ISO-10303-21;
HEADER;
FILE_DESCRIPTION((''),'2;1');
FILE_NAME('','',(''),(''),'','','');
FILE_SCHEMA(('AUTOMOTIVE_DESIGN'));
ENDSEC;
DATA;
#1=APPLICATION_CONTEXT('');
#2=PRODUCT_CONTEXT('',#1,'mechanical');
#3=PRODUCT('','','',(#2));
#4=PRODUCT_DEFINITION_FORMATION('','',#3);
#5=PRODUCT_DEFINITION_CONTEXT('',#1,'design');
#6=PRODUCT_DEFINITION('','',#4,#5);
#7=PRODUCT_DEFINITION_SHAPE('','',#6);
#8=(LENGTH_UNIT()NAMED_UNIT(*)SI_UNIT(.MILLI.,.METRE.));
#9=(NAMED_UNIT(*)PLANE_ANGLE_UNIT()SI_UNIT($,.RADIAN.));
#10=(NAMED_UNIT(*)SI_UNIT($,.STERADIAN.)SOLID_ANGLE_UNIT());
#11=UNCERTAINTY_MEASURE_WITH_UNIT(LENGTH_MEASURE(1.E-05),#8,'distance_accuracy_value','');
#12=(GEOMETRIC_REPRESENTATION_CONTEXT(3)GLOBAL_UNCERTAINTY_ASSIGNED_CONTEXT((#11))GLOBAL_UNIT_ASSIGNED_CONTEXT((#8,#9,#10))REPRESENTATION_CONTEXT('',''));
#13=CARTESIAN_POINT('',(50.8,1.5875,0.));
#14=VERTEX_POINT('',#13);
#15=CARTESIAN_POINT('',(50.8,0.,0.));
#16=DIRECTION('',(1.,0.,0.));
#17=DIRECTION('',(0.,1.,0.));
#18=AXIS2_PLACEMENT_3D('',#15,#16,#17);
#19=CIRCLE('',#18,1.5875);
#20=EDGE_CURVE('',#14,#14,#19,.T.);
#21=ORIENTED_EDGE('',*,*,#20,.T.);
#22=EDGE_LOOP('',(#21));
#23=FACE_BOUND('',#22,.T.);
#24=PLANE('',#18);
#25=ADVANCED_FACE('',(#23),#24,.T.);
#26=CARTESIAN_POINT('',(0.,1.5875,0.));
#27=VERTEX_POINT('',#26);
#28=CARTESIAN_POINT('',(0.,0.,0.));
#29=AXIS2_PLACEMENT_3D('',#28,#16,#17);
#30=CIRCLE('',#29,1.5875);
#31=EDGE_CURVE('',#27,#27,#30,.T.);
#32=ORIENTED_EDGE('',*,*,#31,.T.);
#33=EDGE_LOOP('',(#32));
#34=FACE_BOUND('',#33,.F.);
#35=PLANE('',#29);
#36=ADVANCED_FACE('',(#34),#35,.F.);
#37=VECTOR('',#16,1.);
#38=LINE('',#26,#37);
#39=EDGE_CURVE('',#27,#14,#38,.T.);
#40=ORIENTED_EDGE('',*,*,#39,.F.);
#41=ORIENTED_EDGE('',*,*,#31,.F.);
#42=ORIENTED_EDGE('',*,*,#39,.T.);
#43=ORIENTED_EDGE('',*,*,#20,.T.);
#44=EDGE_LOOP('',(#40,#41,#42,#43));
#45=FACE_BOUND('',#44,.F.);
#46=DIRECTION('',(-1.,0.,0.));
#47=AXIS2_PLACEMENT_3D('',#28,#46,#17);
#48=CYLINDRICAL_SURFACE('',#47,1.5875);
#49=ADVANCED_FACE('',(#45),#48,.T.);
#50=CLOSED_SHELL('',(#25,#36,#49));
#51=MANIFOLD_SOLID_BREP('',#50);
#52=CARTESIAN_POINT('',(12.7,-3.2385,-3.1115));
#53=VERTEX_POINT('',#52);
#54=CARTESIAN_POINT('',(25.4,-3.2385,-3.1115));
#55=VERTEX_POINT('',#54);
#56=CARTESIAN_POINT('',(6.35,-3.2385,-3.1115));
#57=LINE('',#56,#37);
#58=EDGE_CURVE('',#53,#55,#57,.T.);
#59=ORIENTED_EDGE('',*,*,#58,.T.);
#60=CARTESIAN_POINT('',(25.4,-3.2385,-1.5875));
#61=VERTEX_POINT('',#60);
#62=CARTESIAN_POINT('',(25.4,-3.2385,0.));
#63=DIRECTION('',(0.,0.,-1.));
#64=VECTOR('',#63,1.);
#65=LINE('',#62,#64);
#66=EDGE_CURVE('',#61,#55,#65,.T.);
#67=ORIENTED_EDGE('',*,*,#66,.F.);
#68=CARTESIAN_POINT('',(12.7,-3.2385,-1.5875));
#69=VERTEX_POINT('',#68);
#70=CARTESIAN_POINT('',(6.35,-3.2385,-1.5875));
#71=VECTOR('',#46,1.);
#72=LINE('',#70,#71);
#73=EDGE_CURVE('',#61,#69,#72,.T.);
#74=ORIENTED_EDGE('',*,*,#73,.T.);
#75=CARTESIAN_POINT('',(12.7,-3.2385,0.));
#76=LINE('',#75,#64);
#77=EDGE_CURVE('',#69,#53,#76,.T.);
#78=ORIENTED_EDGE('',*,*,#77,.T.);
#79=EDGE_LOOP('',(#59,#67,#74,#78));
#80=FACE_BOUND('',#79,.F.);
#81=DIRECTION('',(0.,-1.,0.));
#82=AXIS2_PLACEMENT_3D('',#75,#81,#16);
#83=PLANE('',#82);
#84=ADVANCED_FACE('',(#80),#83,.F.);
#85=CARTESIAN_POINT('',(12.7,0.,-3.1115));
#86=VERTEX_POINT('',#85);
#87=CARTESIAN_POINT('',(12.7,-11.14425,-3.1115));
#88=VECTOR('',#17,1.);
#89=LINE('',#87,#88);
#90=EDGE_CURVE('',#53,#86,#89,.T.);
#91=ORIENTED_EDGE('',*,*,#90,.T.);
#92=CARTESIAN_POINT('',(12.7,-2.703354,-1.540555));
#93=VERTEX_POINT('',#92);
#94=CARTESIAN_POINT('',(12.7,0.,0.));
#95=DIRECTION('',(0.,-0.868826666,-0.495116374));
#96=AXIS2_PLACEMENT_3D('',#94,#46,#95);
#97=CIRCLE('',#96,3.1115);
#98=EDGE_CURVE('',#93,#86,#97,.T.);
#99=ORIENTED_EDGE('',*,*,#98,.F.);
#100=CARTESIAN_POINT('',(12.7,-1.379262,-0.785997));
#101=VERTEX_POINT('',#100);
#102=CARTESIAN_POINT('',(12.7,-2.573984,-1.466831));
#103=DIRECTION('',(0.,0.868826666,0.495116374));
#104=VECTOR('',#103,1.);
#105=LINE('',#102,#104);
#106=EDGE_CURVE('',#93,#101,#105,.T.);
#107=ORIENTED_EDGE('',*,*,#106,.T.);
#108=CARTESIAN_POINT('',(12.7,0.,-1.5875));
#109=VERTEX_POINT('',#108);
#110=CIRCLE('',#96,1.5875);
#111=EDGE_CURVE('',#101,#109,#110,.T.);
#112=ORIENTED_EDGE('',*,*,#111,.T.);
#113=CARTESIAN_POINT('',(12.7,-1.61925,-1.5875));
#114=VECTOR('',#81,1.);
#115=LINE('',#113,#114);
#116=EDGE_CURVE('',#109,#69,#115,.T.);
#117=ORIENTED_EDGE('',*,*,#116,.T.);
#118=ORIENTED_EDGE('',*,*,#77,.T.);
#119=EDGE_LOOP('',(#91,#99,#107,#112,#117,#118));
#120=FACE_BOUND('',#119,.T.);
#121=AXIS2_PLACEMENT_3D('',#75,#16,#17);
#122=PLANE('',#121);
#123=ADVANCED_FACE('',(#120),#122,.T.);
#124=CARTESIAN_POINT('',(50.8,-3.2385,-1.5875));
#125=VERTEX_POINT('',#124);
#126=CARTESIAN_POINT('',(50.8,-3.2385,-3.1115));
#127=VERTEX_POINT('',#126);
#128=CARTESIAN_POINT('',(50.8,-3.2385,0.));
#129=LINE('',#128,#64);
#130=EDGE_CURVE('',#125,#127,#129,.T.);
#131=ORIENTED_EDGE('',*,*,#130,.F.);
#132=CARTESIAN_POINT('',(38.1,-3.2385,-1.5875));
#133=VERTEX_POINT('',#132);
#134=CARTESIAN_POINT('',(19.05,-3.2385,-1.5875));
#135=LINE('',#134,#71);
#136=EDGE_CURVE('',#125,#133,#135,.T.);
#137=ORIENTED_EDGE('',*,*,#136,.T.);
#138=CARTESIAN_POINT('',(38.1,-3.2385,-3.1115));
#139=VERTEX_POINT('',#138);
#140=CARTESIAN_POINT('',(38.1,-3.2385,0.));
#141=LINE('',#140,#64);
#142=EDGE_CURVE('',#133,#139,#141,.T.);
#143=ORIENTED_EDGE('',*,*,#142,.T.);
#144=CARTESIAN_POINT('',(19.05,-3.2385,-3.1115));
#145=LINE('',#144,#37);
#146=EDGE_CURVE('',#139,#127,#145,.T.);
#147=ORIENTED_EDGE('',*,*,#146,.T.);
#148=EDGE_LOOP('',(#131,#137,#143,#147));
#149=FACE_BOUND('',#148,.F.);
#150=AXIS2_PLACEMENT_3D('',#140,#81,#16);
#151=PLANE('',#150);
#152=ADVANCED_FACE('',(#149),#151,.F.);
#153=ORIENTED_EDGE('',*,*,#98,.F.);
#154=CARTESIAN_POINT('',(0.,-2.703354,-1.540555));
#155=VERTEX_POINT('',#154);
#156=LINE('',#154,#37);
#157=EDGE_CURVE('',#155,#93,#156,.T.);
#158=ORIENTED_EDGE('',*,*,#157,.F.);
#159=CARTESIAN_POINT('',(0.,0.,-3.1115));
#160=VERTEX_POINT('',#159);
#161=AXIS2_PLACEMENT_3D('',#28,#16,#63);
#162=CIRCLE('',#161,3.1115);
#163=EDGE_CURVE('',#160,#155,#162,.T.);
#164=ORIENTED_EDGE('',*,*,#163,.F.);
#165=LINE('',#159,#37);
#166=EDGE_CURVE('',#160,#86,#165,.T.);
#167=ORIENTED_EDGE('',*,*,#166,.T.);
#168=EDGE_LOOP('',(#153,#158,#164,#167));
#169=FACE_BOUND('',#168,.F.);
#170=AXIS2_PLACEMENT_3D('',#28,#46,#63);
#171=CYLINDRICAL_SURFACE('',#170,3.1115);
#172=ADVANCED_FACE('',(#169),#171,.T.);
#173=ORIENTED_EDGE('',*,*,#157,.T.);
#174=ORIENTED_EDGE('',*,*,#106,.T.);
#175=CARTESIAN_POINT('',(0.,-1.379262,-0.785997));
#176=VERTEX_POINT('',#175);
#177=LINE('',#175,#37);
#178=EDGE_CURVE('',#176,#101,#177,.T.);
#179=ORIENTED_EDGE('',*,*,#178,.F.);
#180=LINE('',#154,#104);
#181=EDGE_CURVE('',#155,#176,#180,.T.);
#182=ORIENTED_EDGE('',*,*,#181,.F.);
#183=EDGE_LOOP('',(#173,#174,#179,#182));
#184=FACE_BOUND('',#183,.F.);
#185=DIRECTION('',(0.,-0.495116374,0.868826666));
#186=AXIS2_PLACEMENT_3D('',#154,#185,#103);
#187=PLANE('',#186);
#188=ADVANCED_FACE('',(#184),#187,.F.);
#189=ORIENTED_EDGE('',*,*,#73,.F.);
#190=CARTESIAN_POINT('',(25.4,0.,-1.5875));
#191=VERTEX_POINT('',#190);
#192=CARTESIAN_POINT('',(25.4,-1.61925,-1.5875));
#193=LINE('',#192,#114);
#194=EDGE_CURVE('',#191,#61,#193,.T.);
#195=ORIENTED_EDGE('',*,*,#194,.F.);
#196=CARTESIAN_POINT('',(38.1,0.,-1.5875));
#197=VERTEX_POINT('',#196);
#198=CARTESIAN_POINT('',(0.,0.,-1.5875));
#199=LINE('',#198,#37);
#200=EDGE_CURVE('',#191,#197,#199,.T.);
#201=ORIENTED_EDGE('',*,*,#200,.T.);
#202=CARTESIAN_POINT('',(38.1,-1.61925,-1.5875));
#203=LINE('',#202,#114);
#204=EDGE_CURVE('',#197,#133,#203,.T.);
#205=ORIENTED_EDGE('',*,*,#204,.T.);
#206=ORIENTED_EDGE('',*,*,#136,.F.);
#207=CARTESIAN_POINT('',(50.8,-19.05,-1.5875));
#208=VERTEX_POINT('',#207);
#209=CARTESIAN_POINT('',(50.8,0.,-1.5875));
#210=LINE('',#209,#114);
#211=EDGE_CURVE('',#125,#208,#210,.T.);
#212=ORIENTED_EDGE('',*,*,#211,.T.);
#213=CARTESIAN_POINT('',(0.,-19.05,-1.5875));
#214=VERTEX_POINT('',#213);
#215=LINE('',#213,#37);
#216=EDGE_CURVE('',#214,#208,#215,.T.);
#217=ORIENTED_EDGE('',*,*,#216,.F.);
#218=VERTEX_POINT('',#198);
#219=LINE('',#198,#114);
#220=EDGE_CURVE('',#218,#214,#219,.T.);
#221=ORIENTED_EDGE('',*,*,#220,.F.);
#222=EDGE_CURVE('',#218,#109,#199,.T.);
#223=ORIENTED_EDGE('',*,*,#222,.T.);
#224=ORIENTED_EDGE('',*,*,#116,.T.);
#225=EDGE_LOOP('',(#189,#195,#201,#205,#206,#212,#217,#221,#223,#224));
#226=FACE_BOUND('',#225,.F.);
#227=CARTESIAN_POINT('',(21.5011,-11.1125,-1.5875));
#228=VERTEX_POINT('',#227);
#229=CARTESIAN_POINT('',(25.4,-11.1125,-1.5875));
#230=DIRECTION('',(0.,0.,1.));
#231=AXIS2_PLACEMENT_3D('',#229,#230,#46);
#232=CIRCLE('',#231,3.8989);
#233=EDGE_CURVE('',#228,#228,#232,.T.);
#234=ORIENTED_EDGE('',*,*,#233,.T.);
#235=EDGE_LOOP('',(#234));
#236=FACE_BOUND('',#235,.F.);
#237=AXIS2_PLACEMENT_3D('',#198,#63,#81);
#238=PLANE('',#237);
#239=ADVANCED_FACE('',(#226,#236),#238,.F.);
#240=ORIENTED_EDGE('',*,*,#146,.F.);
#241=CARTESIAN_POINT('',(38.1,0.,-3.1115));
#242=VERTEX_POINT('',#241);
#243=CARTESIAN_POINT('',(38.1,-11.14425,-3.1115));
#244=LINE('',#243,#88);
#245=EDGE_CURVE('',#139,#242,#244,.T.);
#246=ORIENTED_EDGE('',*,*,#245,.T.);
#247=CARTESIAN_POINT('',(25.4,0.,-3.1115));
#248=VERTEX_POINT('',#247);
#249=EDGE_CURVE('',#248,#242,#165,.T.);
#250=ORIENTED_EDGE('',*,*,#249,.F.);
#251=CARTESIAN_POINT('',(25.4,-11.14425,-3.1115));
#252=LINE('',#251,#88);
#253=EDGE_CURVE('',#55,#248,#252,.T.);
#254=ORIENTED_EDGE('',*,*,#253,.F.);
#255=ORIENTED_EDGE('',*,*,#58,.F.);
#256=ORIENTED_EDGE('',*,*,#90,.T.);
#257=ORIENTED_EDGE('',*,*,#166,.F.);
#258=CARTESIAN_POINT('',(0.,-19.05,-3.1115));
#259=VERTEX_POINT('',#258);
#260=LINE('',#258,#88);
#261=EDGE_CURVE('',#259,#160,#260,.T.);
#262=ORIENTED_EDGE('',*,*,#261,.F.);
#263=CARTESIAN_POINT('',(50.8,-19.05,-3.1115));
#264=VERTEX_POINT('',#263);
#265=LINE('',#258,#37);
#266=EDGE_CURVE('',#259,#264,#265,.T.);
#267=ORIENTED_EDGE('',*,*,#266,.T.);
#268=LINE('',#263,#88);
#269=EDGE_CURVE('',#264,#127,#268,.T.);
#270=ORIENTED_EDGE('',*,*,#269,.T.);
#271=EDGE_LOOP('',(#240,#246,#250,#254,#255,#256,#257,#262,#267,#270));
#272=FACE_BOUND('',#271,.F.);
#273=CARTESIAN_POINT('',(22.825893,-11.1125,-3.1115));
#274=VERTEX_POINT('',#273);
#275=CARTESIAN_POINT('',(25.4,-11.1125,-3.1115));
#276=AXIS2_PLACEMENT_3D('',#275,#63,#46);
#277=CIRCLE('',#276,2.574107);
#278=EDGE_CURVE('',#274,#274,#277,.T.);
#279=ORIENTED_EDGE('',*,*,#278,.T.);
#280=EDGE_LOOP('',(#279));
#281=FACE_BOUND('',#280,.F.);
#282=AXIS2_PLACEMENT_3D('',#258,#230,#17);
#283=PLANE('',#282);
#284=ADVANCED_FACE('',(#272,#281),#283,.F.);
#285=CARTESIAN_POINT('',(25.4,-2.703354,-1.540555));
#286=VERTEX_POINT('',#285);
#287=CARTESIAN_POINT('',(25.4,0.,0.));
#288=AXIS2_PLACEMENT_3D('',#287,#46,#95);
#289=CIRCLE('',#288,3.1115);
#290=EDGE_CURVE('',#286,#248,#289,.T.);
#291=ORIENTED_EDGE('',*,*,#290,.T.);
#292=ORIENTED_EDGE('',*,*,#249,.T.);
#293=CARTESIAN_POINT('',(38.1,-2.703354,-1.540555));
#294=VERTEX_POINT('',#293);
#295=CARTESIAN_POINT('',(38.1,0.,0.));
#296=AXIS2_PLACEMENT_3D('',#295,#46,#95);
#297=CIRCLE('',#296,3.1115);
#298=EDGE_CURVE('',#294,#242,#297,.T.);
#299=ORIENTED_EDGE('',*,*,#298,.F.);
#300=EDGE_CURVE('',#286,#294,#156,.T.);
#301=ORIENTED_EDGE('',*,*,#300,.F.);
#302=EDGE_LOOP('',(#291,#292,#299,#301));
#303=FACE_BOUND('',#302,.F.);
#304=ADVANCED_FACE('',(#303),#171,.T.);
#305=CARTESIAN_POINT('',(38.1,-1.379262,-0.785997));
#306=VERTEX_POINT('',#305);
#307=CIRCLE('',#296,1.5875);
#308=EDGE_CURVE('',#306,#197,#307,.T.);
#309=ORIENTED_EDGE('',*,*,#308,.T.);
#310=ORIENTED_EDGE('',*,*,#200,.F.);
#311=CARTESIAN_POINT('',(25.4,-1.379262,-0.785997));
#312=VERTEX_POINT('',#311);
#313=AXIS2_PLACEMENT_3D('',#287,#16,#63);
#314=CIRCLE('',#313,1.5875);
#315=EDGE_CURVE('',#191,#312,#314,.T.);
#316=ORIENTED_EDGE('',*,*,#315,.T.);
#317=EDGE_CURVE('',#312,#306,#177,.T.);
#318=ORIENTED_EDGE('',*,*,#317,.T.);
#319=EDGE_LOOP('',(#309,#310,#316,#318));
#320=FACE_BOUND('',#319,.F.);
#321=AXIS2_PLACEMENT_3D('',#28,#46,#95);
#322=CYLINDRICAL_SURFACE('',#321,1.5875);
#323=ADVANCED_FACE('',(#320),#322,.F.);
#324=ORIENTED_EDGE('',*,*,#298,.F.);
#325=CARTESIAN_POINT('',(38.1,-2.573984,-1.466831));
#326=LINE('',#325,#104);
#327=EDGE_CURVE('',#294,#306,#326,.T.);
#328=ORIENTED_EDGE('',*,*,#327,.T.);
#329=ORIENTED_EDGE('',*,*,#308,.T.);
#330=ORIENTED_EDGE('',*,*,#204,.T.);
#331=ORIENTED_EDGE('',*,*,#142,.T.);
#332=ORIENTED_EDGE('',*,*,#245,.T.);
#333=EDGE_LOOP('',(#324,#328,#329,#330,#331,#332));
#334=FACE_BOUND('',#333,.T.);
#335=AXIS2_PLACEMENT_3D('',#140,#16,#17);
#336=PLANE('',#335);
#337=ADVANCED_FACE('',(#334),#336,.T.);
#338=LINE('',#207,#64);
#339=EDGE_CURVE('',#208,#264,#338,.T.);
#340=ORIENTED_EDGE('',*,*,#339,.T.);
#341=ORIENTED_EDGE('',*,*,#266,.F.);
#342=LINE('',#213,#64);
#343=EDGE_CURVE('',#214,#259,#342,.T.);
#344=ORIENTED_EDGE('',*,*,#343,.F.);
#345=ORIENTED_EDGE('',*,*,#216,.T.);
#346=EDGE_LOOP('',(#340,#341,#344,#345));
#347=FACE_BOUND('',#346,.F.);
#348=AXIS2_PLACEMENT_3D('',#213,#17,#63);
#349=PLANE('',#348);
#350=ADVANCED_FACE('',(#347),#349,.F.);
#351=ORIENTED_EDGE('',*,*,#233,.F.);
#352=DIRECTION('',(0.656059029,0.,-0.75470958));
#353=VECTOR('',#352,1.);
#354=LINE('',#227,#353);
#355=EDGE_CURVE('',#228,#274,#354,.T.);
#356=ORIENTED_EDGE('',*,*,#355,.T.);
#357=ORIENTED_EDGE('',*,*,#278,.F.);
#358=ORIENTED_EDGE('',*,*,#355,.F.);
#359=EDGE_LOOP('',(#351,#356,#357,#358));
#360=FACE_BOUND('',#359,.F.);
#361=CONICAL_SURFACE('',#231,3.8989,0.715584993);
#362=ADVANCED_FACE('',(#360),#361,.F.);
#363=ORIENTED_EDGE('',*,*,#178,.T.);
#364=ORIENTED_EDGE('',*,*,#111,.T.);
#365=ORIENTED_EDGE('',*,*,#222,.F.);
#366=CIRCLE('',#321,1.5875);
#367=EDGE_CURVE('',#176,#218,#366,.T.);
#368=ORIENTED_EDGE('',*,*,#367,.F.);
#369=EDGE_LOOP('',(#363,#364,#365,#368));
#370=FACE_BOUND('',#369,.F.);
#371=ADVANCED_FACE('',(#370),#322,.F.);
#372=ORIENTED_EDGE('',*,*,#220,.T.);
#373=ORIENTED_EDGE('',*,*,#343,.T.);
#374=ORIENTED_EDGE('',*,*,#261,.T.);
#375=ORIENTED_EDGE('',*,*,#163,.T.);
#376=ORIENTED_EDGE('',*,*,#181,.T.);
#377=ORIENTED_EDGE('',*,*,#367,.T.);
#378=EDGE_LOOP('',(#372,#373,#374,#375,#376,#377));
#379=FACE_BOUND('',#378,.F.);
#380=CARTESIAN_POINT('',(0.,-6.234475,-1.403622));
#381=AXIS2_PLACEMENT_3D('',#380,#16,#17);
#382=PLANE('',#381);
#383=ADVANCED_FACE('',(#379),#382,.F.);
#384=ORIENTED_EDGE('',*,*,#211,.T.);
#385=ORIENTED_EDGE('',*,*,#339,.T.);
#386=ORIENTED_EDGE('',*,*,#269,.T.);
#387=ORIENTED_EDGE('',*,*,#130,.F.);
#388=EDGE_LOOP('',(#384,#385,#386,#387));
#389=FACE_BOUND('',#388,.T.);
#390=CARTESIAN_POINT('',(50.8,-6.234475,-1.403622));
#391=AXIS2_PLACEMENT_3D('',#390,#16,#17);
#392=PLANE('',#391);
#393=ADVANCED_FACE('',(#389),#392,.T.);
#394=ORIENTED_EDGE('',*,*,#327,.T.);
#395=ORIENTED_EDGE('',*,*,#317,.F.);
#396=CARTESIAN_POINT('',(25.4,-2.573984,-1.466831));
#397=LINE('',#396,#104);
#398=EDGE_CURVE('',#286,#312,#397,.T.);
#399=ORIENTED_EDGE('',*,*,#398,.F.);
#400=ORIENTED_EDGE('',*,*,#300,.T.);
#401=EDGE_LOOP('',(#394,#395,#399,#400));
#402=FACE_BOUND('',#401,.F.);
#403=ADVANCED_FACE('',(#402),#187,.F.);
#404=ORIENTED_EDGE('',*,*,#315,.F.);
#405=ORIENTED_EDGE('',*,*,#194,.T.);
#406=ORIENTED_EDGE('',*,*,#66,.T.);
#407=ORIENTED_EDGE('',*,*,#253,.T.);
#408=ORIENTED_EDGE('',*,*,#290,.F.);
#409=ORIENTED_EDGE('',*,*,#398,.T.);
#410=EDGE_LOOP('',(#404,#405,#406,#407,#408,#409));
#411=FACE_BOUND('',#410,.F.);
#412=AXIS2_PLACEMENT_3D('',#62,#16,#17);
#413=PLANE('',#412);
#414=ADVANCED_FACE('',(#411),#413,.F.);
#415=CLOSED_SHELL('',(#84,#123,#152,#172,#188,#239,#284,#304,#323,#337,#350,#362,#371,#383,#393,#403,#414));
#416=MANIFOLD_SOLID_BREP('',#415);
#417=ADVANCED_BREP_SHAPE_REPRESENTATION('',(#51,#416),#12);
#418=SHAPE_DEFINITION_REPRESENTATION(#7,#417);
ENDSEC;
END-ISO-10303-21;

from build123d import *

# Parameters (mm, degrees)
F1_DEPTH       = 50.8
F2_W           = 12.7
F2_H           = 6.35
F3_DEPTH       = 3.1125
F3_DEPTH_BACK  = 3.1125
F5_D           = 3.6576
F5_CSINK_D     = 7.7978
F5_CSINK_ANGLE = 82
F6_R           = 1.5875
F7_DEPTH       = 50.8


with BuildPart() as f1:
    # F0 (on Right) → F1 (new body)
    with BuildSketch(Plane.YZ):
        with BuildLine():
            Line((-19.05, -3.1115), (0, -3.1115))
            ThreePointArc((0, -3.1115), (1.5633292388, 2.690247933), (-2.7033541721, -1.5405545982))
            Line((-2.7033541721, -1.5405545982), (-1.3792623327, -0.785997244))
            ThreePointArc((-1.3792623327, -0.785997244), (0.7976169586, 1.372575476), (0, -1.5875))
            Line((0, -1.5875), (-19.05, -1.5875))
            Line((-19.05, -1.5875), (-19.05, -3.1115))
        make_face()
    extrude(amount=F1_DEPTH)

    # F2 (on Top) → F3 (cut, two sides)
    with BuildSketch(Plane.XY) as f3_sk:
        with Locations((19.05, -0.0635)):
            Rectangle(F2_W, F2_H)
        with Locations((44.45, -0.0635)):
            Rectangle(F2_W, F2_H)
        with Locations((69.85, -0.0635)):
            Rectangle(F2_W, F2_H)
        with Locations((95.25, -0.0635)):
            Rectangle(F2_W, F2_H)
        with Locations((120.65, -0.0635)):
            Rectangle(F2_W, F2_H)
        with Locations((146.05, -0.0635)):
            Rectangle(F2_W, F2_H)
        with Locations((171.45, -0.0635)):
            Rectangle(F2_W, F2_H)
        with Locations((196.85, -0.0635)):
            Rectangle(F2_W, F2_H)
        with Locations((222.25, -0.0635)):
            Rectangle(F2_W, F2_H)
        with Locations((247.65, -0.0635)):
            Rectangle(F2_W, F2_H)
        with Locations((273.05, -0.0635)):
            Rectangle(F2_W, F2_H)
        with Locations((298.45, -0.0635)):
            Rectangle(F2_W, F2_H)
        with Locations((323.85, -0.0635)):
            Rectangle(F2_W, F2_H)
        with Locations((349.25, -0.0635)):
            Rectangle(F2_W, F2_H)
        with Locations((374.65, -0.0635)):
            Rectangle(F2_W, F2_H)
        with Locations((400.05, -0.0635)):
            Rectangle(F2_W, F2_H)
        with Locations((425.45, -0.0635)):
            Rectangle(F2_W, F2_H)
        with Locations((450.85, -0.0635)):
            Rectangle(F2_W, F2_H)
        with Locations((476.25, -0.0635)):
            Rectangle(F2_W, F2_H)
        with Locations((501.65, -0.0635)):
            Rectangle(F2_W, F2_H)
        with Locations((527.05, -0.0635)):
            Rectangle(F2_W, F2_H)
        with Locations((552.45, -0.0635)):
            Rectangle(F2_W, F2_H)
        with Locations((577.85, -0.0635)):
            Rectangle(F2_W, F2_H)
        with Locations((603.25, -0.0635)):
            Rectangle(F2_W, F2_H)
        with Locations((628.65, -0.0635)):
            Rectangle(F2_W, F2_H)
        with Locations((654.05, -0.0635)):
            Rectangle(F2_W, F2_H)
        with Locations((679.45, -0.0635)):
            Rectangle(F2_W, F2_H)
        with Locations((704.85, -0.0635)):
            Rectangle(F2_W, F2_H)
        with Locations((730.25, -0.0635)):
            Rectangle(F2_W, F2_H)
        with Locations((755.65, -0.0635)):
            Rectangle(F2_W, F2_H)
    extrude(amount=-F3_DEPTH, mode=Mode.SUBTRACT)
    extrude(f3_sk.sketch, amount=F3_DEPTH_BACK, mode=Mode.SUBTRACT)

    # F5 (through all)
    with Locations(Plane.XY.offset(-1.5875)):
        with Locations((25.4, -11.1125)):
            CounterSinkHole(F5_D / 2, F5_CSINK_D / 2, counter_sink_angle=F5_CSINK_ANGLE)


with BuildPart() as f7:
    # F6 (on Right) → F7 (new body, through all)
    with BuildSketch(Plane.YZ):
        Circle(F6_R)
    extrude(amount=F7_DEPTH)


solid = Compound([f1.part, f7.part])
